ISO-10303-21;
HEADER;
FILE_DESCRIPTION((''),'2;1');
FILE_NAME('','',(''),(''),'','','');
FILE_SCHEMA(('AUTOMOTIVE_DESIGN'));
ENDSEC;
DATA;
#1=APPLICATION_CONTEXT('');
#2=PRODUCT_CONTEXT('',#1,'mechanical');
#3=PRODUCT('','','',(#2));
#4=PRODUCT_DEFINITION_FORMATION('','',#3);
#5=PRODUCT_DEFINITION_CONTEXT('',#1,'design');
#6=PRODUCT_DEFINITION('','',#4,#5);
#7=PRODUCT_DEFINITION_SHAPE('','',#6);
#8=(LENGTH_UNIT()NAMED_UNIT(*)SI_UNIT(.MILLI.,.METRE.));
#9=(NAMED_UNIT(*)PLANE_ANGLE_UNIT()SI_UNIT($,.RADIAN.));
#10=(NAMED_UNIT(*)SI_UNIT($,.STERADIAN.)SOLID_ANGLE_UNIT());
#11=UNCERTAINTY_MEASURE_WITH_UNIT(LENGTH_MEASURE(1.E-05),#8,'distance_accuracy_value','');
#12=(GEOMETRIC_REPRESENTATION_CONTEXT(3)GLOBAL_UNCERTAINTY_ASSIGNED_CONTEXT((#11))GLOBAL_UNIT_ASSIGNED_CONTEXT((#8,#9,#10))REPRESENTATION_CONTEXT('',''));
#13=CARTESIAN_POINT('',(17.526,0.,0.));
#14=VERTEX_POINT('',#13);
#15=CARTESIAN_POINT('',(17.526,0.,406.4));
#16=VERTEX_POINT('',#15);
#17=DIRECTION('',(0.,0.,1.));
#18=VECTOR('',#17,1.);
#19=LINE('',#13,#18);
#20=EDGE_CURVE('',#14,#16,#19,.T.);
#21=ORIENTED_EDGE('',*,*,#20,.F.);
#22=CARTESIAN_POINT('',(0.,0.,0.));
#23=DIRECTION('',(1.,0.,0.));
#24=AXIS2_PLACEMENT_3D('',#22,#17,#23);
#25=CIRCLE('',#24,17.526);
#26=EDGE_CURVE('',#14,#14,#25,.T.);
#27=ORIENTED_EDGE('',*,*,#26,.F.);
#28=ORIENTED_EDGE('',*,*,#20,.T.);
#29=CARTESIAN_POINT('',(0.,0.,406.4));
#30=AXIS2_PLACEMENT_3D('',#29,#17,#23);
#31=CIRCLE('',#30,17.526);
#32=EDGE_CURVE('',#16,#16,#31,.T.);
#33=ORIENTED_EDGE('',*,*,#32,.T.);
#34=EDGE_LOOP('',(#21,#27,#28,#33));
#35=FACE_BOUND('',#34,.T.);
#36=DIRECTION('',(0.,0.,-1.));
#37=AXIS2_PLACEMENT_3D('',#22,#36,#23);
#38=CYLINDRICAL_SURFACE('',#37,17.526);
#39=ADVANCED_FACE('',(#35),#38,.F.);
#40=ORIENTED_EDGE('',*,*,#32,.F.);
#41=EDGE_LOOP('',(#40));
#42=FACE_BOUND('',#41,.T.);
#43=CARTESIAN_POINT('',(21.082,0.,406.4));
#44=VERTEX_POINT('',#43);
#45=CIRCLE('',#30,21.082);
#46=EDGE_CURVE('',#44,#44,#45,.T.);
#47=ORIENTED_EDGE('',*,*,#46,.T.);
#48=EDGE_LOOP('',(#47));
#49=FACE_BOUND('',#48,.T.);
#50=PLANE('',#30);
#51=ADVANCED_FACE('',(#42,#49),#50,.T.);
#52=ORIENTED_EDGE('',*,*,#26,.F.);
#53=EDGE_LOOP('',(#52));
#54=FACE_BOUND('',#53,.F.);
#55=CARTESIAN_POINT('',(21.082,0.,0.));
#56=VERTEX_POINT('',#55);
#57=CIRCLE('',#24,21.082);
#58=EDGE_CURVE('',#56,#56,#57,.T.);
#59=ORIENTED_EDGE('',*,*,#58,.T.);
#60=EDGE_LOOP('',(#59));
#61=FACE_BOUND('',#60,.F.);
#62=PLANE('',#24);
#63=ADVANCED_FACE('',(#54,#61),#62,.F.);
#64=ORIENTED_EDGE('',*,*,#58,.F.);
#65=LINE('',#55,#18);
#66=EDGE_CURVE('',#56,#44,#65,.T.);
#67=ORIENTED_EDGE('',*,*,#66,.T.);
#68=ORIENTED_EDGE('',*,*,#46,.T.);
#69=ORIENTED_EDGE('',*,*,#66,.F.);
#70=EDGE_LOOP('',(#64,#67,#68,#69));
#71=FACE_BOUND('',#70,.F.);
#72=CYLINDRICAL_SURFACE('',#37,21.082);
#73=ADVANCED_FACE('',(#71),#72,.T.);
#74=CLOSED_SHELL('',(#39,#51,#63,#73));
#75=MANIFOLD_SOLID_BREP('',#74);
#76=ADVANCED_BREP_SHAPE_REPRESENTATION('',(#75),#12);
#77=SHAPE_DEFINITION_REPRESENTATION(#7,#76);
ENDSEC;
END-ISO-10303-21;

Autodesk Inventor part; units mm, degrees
ref_plane "YZ Plane" through (0, 0, 0) normal (1, 0, 0) x (0, 1, 0)
ref_plane "XZ Plane" through (0, 0, 0) normal (0, 1, 0) x (-1, 0, 0)
ref_plane "XY Plane" through (0, 0, 0) normal (0, 0, 1) x (1, 0, 0)
sketch "Sketch1" plane through (0, 0, 0) normal (0, 0, 1) x (1, 0, 0)
  circle A0 centre (0, 0) radius 21.082
  circle A1 centre (0, 0) radius 17.526
  dimension "d0" = 42.164
  dimension "d1" = 35.052
extrude "Extrusion1" add sketch "Sketch1" along normal blind 406.4
properties part number "PVC Roller" material "PVC-Piping"
